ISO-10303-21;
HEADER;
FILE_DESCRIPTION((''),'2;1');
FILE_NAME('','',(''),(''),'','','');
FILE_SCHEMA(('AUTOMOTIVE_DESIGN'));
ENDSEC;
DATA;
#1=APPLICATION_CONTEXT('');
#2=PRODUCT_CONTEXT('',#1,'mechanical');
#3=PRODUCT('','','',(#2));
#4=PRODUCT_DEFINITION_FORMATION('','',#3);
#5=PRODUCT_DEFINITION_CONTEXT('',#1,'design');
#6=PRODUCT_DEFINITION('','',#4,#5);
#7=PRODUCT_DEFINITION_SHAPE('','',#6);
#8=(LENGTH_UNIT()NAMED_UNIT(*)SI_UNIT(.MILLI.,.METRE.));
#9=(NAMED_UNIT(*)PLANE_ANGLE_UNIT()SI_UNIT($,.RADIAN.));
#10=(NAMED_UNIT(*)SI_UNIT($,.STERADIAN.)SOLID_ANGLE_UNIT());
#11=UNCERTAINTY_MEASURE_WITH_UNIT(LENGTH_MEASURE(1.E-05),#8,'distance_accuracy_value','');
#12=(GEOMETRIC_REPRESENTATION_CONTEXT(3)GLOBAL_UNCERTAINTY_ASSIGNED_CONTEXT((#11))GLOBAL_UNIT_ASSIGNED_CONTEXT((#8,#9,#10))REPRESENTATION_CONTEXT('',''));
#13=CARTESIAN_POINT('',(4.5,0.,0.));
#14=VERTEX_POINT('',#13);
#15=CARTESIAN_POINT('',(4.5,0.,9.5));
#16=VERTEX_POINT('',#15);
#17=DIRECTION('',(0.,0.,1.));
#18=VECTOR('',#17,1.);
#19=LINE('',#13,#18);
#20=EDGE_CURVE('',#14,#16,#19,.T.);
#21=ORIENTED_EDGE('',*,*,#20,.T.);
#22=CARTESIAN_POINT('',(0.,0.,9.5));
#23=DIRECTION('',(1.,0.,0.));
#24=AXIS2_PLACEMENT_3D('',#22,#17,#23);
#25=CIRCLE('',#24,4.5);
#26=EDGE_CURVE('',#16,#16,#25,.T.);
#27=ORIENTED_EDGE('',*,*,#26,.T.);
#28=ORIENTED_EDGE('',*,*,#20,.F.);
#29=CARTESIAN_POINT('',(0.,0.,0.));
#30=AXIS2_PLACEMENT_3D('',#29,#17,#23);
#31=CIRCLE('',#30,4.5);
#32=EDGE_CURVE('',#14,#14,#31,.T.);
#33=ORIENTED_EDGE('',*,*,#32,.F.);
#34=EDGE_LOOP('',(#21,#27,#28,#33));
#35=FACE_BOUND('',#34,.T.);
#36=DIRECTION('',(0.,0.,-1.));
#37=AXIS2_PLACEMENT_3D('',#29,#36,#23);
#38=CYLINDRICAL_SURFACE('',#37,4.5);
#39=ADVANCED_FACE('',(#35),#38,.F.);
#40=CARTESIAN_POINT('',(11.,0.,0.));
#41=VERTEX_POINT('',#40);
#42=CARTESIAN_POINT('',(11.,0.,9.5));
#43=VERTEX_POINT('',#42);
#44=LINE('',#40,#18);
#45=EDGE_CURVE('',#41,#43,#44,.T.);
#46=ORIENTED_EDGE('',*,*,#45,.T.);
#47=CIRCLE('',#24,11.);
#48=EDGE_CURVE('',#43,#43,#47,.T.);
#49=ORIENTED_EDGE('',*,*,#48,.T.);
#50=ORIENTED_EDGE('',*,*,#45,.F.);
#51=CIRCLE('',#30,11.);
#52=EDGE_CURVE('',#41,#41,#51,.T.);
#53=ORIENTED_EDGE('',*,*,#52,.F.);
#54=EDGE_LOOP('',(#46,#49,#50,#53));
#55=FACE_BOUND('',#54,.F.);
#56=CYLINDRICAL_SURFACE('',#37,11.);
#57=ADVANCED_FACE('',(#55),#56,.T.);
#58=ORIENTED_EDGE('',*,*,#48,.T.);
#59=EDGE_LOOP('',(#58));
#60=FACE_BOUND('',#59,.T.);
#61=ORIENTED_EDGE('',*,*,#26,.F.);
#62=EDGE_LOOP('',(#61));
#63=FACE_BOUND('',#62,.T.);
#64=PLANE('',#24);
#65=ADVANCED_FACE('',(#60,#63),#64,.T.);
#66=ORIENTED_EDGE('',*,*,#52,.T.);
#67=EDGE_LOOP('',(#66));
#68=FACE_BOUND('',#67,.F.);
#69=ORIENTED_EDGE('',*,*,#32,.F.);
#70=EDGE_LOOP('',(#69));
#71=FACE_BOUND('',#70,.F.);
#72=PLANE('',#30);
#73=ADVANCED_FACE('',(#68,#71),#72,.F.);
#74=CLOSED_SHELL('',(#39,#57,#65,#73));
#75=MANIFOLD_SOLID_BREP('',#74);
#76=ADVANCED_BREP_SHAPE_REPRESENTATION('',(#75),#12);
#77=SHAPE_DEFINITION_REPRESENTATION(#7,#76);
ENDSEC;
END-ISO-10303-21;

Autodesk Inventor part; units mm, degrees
ref_plane "YZ Plane" through (0, 0, 0) normal (1, 0, 0) x (0, 1, 0)
ref_plane "XZ Plane" through (0, 0, 0) normal (0, 1, 0) x (-1, 0, 0)
ref_plane "XY Plane" through (0, 0, 0) normal (0, 0, 1) x (1, 0, 0)
sketch "Sketch1" plane through (0, 0, 0) normal (0, 0, 1) x (1, 0, 0)
  circle A0 centre (0, 0) radius 4.5
  circle A1 centre (0, 0) radius 11
  dimension "d0" = 9
  dimension "d1" = 22
extrude "Extrusion1" add sketch "Sketch1" along normal blind 9.5
properties part number "dystans 22....9,5mm"
